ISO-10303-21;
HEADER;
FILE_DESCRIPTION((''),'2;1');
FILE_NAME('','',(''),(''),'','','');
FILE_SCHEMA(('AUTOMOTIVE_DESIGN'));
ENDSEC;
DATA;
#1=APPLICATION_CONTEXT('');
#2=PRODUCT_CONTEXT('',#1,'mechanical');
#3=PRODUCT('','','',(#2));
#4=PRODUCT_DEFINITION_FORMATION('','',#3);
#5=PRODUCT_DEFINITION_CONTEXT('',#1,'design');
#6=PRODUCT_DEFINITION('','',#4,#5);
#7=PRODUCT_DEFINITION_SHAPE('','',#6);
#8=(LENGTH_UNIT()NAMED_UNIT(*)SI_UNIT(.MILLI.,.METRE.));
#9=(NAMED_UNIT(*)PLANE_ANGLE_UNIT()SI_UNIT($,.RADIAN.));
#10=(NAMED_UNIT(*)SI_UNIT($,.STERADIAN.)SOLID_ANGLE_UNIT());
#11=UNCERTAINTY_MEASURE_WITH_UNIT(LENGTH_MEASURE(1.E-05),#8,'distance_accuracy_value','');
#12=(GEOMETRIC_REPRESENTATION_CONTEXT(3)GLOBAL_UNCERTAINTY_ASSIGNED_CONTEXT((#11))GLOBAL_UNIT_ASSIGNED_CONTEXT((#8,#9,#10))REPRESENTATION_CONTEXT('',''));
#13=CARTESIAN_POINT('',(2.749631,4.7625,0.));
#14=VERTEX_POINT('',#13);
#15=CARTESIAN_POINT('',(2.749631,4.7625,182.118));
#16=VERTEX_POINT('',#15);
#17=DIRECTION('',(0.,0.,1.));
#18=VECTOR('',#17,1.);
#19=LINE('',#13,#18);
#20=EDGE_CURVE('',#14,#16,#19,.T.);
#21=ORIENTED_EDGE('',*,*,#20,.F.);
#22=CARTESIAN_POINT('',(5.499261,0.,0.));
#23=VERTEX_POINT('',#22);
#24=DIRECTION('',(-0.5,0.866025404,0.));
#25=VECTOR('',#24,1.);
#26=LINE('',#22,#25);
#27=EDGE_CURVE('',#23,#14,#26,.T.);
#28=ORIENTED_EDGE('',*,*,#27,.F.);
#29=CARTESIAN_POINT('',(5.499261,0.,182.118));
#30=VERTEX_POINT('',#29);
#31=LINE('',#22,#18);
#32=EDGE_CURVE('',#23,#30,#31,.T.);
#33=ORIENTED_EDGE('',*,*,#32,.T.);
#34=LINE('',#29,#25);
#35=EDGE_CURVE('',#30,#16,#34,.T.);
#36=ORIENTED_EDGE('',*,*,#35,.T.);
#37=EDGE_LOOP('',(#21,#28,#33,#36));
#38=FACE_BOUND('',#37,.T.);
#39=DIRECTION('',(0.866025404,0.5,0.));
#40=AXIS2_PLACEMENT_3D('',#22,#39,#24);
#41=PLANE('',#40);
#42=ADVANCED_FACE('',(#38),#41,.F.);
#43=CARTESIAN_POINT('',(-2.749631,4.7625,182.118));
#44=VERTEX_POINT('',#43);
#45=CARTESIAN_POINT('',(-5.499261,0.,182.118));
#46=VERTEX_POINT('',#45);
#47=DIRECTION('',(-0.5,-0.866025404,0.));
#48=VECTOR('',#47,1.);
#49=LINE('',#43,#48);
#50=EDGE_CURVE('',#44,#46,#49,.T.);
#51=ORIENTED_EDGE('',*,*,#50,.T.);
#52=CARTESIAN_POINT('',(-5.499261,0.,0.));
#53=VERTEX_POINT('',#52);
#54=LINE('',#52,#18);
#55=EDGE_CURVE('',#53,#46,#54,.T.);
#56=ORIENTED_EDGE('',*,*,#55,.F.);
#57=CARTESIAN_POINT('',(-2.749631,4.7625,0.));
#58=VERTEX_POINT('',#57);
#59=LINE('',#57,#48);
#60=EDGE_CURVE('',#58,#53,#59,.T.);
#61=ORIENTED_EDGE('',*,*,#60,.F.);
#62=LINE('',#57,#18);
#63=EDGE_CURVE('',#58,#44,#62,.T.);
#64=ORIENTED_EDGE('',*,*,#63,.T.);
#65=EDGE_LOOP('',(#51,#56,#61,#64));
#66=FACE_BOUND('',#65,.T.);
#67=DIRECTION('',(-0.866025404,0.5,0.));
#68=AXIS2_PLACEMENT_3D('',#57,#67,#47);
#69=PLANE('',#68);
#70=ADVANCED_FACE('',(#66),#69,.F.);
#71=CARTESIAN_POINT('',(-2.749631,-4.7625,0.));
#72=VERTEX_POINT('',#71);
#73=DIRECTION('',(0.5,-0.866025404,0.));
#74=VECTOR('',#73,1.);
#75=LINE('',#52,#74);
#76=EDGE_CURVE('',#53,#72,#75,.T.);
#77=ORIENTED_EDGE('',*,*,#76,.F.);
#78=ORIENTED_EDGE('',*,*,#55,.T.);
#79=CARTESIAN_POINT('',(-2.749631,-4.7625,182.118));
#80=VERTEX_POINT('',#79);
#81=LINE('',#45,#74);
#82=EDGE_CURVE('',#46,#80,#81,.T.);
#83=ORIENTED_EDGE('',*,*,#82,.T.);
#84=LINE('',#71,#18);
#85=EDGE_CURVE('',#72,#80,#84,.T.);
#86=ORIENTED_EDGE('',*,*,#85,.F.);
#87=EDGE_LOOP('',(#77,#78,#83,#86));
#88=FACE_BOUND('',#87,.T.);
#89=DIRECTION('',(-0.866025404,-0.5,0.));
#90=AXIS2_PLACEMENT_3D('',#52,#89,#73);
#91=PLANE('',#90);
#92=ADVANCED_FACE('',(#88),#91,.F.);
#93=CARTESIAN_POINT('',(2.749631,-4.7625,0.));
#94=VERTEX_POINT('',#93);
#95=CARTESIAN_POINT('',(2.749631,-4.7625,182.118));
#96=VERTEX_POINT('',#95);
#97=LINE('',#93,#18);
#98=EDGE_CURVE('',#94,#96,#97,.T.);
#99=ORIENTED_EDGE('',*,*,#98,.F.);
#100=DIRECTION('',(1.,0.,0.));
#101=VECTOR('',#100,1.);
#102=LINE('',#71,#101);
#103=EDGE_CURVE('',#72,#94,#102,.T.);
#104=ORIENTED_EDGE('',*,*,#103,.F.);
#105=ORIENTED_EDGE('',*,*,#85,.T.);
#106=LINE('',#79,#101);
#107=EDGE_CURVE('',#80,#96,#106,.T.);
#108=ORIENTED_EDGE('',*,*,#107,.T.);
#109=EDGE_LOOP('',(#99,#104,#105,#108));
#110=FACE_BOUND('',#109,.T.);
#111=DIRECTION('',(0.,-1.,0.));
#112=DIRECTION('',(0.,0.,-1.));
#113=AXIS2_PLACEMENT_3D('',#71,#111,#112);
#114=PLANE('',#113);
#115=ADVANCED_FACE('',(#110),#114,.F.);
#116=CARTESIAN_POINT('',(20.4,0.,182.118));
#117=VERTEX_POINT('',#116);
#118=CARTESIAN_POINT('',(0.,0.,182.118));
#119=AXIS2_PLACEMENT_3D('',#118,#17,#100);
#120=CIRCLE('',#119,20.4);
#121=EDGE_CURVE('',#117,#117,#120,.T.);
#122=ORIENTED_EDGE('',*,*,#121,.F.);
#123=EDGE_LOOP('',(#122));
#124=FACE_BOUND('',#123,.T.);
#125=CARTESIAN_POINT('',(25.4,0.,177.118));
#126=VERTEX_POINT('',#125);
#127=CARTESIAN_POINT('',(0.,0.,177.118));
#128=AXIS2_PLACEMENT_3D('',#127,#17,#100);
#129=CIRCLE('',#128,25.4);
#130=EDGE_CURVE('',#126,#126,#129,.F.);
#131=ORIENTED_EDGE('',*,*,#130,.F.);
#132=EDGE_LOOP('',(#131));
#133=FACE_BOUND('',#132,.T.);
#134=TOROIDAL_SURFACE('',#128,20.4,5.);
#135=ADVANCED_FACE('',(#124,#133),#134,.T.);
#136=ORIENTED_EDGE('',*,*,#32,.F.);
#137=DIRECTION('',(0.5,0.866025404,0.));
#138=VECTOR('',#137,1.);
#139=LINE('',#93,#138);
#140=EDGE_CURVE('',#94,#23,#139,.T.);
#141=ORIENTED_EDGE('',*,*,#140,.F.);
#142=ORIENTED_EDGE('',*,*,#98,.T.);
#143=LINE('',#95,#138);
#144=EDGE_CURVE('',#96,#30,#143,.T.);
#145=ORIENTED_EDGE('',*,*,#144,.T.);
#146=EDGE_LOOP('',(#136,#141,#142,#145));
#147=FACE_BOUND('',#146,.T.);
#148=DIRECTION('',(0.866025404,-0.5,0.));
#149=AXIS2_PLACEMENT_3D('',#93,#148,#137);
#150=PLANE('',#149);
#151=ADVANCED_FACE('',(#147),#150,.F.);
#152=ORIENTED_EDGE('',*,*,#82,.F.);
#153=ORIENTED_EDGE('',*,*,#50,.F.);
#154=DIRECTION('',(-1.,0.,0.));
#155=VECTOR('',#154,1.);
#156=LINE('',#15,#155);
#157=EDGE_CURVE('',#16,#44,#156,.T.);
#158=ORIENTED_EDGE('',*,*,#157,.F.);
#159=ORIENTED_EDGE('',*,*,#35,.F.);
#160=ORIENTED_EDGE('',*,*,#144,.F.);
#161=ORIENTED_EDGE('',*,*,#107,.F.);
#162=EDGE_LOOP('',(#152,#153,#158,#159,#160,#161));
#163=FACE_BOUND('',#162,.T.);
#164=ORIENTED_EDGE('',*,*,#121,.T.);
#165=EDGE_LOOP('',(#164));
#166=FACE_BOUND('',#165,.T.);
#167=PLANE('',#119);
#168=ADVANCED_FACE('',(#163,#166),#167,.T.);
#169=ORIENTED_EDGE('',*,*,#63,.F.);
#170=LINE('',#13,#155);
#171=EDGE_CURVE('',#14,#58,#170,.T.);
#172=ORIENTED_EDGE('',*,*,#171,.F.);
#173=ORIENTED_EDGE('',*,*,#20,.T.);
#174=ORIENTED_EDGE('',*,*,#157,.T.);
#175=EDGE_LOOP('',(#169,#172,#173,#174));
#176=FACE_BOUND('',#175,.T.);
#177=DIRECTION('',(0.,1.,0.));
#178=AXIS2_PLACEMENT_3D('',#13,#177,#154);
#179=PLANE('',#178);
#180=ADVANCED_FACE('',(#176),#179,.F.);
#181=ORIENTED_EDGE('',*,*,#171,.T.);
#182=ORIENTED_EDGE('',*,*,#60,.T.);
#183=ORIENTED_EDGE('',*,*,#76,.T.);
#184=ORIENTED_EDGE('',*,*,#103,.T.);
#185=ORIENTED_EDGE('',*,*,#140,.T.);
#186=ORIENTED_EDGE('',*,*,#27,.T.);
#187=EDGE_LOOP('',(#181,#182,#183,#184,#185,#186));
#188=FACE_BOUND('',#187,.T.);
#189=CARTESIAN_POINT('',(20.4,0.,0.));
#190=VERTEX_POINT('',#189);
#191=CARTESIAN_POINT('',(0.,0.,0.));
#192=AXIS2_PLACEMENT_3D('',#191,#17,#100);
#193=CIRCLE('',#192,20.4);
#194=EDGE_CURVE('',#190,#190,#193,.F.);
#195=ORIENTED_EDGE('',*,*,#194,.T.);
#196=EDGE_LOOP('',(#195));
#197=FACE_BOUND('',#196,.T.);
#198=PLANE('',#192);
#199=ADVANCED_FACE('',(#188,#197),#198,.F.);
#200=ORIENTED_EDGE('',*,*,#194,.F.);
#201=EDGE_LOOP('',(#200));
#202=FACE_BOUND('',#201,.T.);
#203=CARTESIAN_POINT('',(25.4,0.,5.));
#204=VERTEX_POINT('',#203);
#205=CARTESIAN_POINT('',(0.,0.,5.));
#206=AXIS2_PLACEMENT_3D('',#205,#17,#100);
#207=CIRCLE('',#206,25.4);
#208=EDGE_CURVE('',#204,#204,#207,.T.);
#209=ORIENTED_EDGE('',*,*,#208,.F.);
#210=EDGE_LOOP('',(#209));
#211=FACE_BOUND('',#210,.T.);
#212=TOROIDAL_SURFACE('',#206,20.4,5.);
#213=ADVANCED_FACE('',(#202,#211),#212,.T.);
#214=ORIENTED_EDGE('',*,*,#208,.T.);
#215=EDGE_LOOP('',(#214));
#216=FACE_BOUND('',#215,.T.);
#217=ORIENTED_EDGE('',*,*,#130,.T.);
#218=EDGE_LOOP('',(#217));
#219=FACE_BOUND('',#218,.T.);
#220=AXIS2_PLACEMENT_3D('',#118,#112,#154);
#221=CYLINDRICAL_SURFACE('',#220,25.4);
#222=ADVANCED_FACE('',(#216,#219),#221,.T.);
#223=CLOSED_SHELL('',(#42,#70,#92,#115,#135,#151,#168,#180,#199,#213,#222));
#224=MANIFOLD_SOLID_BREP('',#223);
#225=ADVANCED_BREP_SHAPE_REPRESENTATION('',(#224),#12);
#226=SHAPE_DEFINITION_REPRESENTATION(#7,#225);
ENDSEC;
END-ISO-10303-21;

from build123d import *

# Parameters (mm, degrees)
SKETCH1_R           = 25.4
BOSS_EXTRUDE1_DEPTH = 182.118
CUT_EXTRUDE1_DEPTH  = 183.118
FILLET1_R           = 5


with BuildPart() as part:
    # Sketch1 → Boss-Extrude1 (new body)
    with BuildSketch(Plane.XY):
        Circle(SKETCH1_R)
    extrude(amount=BOSS_EXTRUDE1_DEPTH)

    # Sketch2 → Cut-Extrude1 (cut, through all)
    with BuildSketch(Plane.XY.offset(182.118)):
        Polygon((5.499261314, 0), (2.749630657, 4.7625), (-2.749630657, 4.7625), (-5.499261314, 0), (-2.749630657, -4.7625), (2.749630657, -4.7625), align=None)
    extrude(amount=-CUT_EXTRUDE1_DEPTH, mode=Mode.SUBTRACT)

    # Fillet1
    fillet1_edges = [part.edges().sort_by_distance(p)[0] for p in [
        (-25.4, 0, 0),
        (-25.4, 0, 182.118),
    ]]
    fillet(fillet1_edges, radius=FILLET1_R)


solid = part.part
